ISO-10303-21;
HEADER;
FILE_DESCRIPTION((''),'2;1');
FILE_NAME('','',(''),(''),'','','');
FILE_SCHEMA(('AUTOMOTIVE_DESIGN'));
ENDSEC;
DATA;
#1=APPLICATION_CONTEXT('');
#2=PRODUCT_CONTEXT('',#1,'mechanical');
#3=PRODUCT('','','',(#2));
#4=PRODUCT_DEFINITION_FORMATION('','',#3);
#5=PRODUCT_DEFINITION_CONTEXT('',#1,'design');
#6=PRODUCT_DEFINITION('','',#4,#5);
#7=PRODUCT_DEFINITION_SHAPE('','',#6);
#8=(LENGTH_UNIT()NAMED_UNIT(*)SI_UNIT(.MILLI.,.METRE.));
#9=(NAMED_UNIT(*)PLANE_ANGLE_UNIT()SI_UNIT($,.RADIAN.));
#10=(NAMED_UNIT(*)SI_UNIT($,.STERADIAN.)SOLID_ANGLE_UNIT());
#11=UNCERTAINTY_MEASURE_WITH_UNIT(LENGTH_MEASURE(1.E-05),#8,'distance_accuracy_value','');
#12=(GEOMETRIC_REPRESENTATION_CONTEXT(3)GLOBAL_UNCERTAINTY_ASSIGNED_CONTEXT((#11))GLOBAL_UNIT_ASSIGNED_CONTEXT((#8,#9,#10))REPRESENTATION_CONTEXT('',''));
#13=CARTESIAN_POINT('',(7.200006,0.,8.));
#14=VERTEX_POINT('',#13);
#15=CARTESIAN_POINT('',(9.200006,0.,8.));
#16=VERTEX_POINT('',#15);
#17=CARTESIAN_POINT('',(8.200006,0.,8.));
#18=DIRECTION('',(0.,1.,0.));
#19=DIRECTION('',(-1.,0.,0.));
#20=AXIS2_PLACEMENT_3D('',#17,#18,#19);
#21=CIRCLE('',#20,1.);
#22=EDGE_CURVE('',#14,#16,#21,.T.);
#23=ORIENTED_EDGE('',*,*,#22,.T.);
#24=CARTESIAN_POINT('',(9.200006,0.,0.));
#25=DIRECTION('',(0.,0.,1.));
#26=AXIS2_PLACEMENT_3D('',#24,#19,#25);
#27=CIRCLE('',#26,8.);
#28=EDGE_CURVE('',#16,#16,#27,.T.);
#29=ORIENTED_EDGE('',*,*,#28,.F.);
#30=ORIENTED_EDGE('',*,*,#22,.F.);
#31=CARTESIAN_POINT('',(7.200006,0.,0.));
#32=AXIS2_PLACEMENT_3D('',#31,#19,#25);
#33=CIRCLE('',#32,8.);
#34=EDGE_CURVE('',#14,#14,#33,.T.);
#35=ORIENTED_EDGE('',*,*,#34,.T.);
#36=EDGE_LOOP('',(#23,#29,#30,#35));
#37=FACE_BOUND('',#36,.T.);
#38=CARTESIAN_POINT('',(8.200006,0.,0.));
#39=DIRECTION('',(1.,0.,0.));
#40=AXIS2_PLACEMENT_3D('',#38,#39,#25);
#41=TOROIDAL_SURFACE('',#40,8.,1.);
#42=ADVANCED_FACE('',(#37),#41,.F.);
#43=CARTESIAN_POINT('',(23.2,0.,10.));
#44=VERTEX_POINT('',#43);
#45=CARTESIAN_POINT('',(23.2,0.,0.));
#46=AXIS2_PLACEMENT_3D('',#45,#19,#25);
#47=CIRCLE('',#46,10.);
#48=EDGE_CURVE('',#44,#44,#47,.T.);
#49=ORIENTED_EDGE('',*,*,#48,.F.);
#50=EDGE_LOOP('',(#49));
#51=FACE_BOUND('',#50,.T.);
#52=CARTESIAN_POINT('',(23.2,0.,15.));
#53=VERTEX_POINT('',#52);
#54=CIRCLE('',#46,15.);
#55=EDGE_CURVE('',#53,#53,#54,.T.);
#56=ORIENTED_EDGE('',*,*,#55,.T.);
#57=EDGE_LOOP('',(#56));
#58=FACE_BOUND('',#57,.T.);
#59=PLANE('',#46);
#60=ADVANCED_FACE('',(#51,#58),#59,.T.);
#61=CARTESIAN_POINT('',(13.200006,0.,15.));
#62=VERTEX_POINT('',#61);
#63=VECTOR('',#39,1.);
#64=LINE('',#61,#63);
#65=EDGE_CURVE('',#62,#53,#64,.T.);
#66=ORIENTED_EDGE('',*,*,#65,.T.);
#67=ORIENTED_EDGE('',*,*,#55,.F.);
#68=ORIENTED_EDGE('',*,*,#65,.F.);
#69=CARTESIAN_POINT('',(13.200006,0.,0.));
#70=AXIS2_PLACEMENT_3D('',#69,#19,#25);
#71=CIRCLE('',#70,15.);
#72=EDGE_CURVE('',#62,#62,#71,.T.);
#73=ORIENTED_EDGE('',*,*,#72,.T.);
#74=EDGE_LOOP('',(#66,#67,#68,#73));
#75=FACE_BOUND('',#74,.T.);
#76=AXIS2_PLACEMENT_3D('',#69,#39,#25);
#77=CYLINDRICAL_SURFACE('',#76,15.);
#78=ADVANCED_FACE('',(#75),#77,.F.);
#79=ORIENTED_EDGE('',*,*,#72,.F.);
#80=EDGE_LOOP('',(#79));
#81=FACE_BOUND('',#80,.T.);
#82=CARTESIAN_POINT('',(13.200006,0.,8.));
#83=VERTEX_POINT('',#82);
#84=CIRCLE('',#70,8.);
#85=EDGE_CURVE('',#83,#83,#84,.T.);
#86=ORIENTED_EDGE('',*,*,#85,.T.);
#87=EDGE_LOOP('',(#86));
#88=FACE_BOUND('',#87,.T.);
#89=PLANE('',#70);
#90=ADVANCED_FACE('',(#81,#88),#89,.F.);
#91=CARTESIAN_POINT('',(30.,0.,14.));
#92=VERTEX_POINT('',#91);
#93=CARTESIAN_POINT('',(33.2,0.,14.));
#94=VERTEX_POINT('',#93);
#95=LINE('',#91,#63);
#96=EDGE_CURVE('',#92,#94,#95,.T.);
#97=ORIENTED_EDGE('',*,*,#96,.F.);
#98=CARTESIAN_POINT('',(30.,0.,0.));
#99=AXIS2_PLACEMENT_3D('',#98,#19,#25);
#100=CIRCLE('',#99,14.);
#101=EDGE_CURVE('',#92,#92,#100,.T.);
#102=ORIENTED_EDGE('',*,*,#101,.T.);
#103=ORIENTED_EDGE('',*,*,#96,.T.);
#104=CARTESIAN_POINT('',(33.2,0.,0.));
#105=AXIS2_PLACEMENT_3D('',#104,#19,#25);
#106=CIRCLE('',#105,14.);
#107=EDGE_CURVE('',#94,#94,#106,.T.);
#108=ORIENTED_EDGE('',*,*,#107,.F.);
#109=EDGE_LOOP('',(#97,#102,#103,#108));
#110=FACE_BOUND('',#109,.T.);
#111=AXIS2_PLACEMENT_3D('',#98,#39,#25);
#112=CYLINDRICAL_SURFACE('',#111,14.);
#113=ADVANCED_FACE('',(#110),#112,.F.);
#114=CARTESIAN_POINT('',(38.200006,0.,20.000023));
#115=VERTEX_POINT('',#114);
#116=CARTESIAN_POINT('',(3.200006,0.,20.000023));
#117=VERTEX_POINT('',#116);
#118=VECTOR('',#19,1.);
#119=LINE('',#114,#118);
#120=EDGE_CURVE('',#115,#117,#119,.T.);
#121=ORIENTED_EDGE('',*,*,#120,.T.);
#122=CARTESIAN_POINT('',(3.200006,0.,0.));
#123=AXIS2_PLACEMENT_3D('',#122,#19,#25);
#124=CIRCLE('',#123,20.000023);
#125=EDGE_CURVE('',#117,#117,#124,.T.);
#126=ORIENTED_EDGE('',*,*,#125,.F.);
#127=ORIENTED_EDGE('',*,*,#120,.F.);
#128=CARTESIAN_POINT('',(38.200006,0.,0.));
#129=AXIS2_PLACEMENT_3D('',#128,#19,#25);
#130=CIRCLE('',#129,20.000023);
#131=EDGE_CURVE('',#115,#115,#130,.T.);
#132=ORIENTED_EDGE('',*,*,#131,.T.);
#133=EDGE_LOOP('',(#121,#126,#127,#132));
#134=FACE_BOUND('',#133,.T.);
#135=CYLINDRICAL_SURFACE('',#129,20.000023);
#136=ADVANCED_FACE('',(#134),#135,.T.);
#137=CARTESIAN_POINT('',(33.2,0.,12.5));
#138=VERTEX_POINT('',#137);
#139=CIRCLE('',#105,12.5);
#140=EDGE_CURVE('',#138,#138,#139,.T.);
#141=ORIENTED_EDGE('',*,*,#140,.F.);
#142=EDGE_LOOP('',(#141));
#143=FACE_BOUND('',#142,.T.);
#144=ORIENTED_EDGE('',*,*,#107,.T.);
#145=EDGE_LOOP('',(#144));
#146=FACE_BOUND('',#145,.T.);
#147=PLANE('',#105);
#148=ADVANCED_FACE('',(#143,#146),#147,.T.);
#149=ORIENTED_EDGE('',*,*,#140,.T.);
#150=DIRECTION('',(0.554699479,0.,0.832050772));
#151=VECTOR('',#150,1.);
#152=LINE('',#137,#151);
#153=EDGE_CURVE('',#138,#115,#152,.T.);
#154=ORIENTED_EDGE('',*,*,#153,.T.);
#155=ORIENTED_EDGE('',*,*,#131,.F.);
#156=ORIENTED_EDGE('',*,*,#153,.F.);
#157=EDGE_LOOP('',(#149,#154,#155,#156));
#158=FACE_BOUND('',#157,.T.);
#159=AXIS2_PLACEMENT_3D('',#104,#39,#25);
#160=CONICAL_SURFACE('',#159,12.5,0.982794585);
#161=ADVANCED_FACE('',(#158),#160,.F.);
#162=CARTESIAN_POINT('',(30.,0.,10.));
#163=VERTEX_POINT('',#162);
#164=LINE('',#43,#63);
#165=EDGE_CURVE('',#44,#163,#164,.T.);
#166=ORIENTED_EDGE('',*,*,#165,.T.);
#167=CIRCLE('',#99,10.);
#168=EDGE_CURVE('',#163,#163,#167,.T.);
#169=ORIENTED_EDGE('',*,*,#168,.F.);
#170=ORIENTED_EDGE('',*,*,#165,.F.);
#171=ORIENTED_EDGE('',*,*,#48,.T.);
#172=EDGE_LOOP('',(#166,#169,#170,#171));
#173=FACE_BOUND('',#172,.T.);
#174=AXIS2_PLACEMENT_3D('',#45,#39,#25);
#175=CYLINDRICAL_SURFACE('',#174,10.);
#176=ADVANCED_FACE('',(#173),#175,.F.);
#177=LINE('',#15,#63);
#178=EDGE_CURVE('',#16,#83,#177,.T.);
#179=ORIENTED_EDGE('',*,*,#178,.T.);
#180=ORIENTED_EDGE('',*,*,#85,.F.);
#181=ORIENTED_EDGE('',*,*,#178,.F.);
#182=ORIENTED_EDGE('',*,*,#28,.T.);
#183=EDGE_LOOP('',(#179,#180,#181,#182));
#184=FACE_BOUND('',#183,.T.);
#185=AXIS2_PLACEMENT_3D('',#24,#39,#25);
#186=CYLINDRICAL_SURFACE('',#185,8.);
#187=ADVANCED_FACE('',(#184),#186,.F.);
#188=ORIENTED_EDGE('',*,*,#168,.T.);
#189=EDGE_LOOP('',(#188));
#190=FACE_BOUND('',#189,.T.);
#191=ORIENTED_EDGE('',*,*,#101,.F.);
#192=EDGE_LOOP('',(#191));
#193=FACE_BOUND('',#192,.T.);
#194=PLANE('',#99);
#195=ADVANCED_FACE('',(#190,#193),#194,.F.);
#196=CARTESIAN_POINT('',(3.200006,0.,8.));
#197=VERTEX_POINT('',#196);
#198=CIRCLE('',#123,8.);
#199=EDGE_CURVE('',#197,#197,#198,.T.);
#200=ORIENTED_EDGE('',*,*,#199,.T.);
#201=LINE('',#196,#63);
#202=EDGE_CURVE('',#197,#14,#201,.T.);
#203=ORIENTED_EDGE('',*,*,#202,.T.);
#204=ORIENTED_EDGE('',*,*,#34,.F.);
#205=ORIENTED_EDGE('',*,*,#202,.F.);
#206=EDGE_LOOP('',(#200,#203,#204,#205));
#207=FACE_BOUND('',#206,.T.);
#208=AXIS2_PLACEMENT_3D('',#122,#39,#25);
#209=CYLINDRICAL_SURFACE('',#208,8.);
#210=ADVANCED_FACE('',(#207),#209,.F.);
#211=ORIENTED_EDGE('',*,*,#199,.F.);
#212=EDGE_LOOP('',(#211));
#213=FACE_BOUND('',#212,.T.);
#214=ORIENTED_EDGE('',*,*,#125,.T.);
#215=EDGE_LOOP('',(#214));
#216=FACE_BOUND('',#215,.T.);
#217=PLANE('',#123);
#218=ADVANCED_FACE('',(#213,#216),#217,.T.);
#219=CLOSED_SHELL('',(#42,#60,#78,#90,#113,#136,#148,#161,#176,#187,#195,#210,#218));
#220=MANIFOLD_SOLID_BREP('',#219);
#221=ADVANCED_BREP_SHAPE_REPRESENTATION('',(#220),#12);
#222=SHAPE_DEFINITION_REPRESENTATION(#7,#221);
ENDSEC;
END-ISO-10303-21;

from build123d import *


with BuildPart() as f1:
    # F0 (on Front) → F1 (revolve)
    with BuildSketch(Plane.XZ):
        with BuildLine():
            Line((3.200006, 20.000023), (3.200006, 8))
            Line((3.200006, 8), (7.200006, 8))
            ThreePointArc((7.200006, 8), (8.200006, 9), (9.200006, 8))
            Line((9.200006, 8), (13.200006, 8))
            Line((13.200006, 8), (13.200006, 15))
            Line((13.200006, 15), (23.2, 15))
            Line((23.2, 15), (23.2, 10))
            Line((23.2, 10), (30, 10))
            Line((30, 10), (30, 14))
            Line((30, 14), (33.2, 14))
            Line((33.2, 14), (33.2, 12.5))
            Line((33.2, 12.5), (38.200006, 20.000023))
            Line((38.200006, 20.000023), (3.200006, 20.000023))
        make_face()
    revolve(axis=Axis((26.047173, 0, 0), (-1, 0, 0)))


solid = f1.part
